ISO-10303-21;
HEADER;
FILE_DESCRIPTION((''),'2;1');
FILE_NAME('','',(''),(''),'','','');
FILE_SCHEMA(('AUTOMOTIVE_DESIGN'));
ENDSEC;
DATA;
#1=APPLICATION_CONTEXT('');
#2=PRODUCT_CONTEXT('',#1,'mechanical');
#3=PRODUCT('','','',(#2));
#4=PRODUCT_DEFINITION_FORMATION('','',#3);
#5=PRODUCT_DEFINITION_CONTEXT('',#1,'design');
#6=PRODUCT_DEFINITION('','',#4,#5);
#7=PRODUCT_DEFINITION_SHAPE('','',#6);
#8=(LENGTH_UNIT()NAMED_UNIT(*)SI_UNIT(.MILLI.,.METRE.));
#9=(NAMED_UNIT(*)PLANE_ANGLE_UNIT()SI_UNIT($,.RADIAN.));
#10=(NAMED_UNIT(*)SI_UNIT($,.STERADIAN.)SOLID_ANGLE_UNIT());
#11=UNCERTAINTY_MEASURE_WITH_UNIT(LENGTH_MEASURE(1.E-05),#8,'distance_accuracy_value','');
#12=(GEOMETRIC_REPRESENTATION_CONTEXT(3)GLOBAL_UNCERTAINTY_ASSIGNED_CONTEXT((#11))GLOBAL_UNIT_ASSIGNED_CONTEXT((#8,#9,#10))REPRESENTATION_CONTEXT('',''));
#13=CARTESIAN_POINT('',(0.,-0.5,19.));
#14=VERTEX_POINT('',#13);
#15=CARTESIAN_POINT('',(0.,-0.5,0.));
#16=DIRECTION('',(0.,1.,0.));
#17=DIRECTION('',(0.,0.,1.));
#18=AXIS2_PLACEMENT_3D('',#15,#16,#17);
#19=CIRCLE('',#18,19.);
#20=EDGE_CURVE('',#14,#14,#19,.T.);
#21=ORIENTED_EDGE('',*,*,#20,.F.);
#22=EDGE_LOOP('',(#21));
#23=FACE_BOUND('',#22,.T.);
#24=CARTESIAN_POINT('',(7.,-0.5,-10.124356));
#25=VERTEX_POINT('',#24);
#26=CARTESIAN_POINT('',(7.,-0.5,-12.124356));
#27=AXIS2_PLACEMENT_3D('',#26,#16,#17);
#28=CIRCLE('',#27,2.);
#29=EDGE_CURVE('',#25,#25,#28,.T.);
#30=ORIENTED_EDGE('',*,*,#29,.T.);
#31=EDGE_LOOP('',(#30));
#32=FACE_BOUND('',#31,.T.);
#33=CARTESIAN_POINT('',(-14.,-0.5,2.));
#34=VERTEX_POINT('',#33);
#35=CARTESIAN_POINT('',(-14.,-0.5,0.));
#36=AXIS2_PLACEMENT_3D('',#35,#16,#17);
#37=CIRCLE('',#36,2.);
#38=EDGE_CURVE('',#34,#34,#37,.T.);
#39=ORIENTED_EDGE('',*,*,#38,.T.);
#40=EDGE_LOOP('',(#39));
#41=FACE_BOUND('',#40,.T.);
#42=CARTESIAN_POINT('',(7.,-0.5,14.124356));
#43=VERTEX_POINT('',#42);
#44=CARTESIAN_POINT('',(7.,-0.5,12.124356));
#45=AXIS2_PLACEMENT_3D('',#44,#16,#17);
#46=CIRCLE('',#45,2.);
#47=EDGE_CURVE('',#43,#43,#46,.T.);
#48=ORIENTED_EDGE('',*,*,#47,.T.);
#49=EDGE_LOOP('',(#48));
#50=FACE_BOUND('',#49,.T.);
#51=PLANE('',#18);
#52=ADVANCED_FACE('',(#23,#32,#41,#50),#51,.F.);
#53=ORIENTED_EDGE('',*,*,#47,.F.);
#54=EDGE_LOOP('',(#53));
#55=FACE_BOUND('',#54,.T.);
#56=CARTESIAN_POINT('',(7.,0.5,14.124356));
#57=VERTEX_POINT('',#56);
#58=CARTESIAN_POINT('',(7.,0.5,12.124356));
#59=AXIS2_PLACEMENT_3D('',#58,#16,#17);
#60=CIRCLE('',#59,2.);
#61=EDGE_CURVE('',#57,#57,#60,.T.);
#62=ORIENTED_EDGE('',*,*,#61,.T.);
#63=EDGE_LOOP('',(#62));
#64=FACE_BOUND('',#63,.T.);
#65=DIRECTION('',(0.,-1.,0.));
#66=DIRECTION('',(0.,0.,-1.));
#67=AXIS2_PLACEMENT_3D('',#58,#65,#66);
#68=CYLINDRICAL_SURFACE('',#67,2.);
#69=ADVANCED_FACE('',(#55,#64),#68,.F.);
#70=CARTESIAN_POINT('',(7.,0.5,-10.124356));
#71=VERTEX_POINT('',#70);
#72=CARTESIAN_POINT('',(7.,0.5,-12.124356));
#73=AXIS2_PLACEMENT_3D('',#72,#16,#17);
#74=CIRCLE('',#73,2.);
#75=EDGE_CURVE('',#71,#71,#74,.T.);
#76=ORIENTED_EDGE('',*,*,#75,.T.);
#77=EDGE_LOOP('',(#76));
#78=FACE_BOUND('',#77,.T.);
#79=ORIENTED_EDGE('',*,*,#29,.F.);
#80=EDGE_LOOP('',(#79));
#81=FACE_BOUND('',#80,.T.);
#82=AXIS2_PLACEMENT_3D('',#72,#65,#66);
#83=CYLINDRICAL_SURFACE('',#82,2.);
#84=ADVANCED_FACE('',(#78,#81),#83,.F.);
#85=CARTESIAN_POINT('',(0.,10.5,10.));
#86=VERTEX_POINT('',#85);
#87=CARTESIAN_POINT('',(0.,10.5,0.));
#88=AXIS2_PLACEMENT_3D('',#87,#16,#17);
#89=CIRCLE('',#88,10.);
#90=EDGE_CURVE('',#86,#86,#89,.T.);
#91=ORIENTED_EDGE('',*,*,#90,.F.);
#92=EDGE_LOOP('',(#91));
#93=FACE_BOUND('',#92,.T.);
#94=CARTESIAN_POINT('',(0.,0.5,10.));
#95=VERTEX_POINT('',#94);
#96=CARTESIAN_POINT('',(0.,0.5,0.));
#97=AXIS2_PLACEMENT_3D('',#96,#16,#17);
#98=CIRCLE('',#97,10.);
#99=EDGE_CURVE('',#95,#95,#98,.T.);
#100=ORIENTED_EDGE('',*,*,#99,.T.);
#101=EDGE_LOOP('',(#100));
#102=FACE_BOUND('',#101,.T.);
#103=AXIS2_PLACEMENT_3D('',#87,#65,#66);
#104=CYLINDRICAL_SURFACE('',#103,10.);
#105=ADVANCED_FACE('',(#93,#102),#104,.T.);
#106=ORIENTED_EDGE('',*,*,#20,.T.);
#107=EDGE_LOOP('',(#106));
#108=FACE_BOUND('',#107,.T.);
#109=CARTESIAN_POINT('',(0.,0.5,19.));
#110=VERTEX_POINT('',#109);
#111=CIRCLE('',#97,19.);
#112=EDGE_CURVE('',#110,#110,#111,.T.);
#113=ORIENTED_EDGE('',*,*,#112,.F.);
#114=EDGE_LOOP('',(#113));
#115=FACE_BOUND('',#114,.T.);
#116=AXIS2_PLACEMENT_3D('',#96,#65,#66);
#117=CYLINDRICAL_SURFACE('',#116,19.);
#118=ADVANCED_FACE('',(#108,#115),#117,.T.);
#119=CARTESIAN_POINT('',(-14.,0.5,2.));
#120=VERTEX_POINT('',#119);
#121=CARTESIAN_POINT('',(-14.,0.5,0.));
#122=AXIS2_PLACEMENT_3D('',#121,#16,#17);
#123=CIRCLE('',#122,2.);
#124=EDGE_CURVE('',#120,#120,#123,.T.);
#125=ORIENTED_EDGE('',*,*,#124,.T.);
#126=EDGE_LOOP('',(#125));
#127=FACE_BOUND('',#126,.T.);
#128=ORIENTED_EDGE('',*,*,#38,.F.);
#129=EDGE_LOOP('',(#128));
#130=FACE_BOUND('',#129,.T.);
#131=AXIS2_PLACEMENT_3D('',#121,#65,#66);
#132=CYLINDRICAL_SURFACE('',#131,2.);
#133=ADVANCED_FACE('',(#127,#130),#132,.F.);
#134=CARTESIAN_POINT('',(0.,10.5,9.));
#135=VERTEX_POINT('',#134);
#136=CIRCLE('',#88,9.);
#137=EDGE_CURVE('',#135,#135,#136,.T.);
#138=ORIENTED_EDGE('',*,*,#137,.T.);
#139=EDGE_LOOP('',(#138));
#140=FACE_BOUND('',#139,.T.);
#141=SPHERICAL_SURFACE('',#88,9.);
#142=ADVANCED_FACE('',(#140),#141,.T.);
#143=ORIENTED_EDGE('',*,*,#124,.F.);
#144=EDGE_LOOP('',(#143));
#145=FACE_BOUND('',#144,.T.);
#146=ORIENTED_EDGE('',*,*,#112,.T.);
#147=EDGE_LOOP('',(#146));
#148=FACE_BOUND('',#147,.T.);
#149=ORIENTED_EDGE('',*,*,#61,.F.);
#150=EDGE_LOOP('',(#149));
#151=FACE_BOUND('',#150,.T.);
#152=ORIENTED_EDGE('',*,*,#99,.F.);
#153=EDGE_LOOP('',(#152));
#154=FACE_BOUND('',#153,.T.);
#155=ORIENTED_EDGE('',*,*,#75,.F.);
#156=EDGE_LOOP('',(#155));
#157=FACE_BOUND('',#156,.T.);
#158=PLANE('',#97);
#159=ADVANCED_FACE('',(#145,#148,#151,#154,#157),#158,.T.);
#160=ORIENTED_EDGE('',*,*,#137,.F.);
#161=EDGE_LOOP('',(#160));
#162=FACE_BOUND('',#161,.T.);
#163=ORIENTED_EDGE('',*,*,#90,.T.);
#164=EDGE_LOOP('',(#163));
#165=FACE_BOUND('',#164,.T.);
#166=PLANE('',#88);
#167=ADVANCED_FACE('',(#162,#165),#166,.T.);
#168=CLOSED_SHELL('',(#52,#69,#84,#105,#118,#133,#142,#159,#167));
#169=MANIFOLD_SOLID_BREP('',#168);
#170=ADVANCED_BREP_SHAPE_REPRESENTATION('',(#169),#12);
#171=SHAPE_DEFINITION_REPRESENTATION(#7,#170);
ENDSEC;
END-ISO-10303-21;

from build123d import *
from build123d.topology import SkipClean

# Parameters (mm, degrees)
SKETCH1_R           = 19
SKETCH1_R_2         = 2
BOSS_EXTRUDE1_DEPTH = 0.5
SKETCH2_R           = 10
BOSS_EXTRUDE2_DEPTH = 10


with BuildPart() as part:
    # Sketch1 → Boss-Extrude1 (new, symmetric)
    with BuildSketch(Plane(origin=(0, 0, 0), x_dir=(1, 0, 0), z_dir=(0, 1, 0))):
        with Locations(Location((0, 0, 0), (0, 0, 270))):
            Circle(SKETCH1_R)
        with Locations(Location((-14, 0, 0), (0, 0, 270))):
            Circle(SKETCH1_R_2, mode=Mode.SUBTRACT)
        with Locations(Location((7, 12.124355653, 0), (0, 0, 270))):
            Circle(SKETCH1_R_2, mode=Mode.SUBTRACT)
        with Locations(Location((7, -12.124355653, 0), (0, 0, 270))):
            Circle(SKETCH1_R_2, mode=Mode.SUBTRACT)
    extrude(amount=BOSS_EXTRUDE1_DEPTH, both=True)

    # Sketch2 → Boss-Extrude2 (add)
    with BuildSketch(Plane(origin=(0, 0.5, 0), x_dir=(1, 0, 0), z_dir=(0, 1, 0))):
        with Locations(Location((0, 0, 0), (0, 0, 270))):
            Circle(SKETCH2_R)
    extrude(amount=BOSS_EXTRUDE2_DEPTH)

    # Sketch3 → Revolve1 (revolve)
    with SkipClean():  # the faces are left unmerged after this step: merging them gives an invalid solid
        with BuildSketch(Plane(origin=(0, 10.5, 0), x_dir=(1, 0, 0), z_dir=(0, 1, 0))):
            with BuildLine():
                ThreePointArc((9, 0), (6.363961031, 6.363961031), (0, 9))
                Line((0, 9), (0, -9))
                ThreePointArc((0, -9), (6.363961031, -6.363961031), (9, 0))
            make_face()
            with BuildLine():
                Line((0, -9), (0, 9))
                ThreePointArc((0, 9), (-9, 0), (0, -9))
            make_face()
        revolve(axis=Axis((0, 10.5, -9), (0, 0, 1)))


solid = part.part
